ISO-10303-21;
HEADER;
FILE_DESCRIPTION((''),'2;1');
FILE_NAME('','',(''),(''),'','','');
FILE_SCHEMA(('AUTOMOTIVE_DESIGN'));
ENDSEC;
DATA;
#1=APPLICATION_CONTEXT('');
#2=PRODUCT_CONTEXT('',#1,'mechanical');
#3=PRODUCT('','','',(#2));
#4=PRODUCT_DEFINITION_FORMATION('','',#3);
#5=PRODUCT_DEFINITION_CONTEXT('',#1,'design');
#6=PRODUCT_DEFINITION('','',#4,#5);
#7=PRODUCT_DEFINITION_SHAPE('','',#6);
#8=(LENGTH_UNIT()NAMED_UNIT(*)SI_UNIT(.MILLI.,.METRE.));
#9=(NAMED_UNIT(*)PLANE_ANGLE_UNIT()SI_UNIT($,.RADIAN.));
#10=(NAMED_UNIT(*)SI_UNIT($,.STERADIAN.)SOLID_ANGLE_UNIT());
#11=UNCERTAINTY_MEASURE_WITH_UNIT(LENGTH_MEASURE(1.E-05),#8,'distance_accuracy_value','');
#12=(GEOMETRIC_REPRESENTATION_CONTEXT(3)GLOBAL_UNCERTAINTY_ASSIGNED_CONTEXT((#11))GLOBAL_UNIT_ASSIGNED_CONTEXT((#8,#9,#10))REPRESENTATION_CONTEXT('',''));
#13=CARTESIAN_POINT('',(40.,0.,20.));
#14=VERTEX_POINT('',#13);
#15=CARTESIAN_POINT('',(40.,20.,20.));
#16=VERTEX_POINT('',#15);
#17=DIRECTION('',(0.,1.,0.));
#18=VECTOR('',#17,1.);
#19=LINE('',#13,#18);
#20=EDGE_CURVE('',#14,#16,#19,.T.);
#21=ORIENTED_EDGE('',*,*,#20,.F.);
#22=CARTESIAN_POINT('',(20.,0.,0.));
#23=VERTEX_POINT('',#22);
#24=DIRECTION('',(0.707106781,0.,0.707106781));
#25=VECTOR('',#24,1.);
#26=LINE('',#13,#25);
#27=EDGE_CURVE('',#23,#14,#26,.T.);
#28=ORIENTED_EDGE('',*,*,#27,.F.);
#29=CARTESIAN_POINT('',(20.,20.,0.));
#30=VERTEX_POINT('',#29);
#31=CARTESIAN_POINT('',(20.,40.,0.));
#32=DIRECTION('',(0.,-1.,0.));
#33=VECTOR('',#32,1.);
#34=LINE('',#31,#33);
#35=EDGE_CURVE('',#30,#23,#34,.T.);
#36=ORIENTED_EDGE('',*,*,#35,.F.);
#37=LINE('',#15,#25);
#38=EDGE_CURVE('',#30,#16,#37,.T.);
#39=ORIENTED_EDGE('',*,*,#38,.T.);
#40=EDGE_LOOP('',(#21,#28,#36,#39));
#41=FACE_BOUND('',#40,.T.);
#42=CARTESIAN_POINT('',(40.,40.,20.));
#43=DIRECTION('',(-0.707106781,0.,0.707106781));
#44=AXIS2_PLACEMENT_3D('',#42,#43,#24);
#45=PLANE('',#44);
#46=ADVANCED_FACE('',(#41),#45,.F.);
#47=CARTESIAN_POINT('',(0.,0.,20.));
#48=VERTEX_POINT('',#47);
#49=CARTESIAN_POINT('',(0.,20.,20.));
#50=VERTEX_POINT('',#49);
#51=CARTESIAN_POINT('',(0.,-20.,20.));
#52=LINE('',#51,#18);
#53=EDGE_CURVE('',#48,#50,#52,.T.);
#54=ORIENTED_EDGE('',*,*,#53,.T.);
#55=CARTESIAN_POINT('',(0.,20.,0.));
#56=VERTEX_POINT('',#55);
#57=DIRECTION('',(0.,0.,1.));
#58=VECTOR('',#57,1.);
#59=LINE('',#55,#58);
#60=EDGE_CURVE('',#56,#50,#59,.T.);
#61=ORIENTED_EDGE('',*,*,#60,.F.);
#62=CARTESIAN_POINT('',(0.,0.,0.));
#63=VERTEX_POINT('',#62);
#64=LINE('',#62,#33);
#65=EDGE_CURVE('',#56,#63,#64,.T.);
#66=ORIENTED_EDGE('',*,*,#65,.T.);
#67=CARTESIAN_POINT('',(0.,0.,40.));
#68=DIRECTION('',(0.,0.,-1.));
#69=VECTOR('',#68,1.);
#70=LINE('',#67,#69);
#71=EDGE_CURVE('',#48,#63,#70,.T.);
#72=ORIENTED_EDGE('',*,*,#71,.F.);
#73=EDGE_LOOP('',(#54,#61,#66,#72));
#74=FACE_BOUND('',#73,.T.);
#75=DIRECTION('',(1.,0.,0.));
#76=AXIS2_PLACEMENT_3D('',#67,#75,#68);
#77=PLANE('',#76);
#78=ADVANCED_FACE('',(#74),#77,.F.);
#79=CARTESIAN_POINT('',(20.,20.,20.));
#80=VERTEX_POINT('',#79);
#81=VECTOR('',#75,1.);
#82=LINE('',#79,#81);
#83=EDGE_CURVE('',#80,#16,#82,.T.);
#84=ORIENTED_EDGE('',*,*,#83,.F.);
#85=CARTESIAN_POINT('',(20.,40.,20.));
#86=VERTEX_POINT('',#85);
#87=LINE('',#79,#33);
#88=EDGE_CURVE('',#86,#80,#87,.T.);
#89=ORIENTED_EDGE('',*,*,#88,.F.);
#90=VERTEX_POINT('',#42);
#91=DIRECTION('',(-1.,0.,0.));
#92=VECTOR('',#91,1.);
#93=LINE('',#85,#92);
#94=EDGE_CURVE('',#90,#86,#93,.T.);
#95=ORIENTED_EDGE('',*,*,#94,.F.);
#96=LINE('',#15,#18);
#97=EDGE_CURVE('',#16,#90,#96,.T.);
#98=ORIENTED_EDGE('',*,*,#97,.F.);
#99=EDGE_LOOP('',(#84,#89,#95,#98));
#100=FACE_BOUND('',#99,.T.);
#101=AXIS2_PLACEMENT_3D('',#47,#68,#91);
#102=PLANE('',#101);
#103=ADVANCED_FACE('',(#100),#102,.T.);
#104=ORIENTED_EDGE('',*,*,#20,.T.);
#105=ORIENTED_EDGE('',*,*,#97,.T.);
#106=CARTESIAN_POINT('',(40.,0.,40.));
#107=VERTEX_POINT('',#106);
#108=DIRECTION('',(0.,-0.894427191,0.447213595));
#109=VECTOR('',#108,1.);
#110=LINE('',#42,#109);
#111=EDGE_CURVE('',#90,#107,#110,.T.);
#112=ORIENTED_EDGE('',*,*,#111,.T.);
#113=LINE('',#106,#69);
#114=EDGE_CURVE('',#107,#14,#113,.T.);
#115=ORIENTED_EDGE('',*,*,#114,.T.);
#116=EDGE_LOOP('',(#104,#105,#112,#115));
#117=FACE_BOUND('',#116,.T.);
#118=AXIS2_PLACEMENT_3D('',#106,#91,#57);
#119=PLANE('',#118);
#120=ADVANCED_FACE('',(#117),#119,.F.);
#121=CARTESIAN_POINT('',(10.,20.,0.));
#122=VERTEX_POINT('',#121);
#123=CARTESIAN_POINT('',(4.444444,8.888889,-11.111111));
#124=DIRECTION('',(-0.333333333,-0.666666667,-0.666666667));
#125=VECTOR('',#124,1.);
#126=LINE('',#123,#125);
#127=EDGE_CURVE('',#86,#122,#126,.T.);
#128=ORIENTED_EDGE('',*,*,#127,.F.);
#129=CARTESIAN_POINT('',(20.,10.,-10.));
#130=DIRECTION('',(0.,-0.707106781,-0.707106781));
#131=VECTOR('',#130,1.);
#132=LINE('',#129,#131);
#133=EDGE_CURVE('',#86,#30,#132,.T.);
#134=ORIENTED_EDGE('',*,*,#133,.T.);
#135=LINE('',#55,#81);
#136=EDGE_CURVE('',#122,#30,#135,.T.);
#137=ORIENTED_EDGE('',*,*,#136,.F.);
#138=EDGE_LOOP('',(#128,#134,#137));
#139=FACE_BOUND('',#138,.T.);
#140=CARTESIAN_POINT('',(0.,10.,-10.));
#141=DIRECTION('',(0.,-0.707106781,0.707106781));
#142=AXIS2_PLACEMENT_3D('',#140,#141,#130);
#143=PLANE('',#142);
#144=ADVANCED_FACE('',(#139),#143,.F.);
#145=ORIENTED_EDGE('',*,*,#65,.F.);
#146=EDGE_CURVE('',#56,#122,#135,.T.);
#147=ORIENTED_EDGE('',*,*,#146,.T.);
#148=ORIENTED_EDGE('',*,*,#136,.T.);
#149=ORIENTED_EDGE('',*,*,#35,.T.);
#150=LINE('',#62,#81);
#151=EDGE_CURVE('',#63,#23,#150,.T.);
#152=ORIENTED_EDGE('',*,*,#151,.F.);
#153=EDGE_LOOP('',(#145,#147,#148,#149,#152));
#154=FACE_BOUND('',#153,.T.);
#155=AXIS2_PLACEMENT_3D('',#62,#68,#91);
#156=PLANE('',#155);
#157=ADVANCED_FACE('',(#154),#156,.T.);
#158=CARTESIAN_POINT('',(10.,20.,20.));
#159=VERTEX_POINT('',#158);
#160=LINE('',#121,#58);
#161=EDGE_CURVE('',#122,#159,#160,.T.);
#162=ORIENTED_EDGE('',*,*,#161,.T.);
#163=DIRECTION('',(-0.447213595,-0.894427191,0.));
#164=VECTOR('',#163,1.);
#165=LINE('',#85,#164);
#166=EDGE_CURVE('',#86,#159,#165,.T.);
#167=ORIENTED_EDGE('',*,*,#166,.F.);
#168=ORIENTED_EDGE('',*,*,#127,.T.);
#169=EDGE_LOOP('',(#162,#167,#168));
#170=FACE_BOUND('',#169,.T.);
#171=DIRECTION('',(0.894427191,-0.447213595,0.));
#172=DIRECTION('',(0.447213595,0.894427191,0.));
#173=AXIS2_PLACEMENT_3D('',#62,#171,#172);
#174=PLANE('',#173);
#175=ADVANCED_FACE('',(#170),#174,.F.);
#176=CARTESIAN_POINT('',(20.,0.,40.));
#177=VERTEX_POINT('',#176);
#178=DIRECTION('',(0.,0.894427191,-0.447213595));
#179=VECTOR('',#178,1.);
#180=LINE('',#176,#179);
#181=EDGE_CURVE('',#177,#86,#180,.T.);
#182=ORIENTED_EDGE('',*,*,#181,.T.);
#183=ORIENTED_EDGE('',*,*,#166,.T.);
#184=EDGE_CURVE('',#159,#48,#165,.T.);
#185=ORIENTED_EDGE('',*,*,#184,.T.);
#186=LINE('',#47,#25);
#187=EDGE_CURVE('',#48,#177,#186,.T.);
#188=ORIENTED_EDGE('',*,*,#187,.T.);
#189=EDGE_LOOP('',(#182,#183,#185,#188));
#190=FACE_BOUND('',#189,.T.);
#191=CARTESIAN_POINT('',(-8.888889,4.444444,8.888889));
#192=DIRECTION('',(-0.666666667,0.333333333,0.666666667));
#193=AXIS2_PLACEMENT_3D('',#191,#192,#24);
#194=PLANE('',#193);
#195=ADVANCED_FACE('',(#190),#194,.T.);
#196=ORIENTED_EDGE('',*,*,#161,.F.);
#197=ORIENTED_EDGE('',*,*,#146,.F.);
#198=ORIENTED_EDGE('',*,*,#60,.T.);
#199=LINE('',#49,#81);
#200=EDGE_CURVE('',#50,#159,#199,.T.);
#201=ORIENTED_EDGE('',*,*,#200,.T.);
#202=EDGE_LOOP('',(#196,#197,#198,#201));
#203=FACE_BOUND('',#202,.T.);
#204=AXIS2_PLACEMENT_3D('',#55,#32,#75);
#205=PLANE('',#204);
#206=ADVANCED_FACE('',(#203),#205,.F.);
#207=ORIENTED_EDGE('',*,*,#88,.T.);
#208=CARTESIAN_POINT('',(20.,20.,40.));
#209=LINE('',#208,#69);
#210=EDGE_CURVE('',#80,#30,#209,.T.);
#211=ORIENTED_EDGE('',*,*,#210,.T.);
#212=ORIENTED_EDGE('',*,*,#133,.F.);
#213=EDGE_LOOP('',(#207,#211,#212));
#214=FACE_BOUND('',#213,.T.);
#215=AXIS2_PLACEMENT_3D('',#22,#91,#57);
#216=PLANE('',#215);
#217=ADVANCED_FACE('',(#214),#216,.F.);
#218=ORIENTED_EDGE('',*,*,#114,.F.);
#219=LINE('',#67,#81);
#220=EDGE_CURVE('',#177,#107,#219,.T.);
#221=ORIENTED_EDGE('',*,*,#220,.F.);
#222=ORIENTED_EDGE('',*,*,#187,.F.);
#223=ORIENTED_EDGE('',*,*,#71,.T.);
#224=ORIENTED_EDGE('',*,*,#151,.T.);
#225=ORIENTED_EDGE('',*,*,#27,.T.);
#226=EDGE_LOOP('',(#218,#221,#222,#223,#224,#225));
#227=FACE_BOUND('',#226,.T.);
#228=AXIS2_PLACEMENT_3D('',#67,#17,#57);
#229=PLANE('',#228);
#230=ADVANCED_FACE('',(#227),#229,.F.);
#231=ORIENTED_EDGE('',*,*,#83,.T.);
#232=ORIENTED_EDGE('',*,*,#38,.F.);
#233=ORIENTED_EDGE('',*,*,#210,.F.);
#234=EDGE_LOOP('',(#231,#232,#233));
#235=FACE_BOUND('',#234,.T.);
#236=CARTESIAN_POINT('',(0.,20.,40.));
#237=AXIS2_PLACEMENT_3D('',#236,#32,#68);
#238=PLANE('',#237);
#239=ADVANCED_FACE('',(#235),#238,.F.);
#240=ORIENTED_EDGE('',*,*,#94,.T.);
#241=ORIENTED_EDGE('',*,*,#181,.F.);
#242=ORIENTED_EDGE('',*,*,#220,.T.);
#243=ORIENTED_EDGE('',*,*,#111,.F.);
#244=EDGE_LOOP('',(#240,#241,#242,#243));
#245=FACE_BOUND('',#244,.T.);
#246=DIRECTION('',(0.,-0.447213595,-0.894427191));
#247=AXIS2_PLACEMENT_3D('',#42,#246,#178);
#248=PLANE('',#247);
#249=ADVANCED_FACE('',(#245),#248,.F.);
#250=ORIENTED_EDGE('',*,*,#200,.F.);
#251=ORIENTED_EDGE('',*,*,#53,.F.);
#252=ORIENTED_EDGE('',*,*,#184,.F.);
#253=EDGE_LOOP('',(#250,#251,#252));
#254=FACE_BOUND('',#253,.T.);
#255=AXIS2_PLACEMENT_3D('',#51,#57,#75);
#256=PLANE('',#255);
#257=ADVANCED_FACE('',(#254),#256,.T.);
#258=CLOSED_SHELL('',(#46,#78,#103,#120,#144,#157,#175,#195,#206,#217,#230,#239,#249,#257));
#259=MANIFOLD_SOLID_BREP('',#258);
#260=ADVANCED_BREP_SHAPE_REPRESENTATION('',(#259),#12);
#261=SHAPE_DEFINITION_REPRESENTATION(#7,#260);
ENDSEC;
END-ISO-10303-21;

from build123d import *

# Parameters (mm, degrees)
SKETCH1_W           = 40
SKETCH1_H           = 20
BOSS_EXTRUDE1_DEPTH = 40
CUT_EXTRUDE1_DEPTH  = 40
CUT_EXTRUDE2_DEPTH  = 40
BOSS_EXTRUDE2_DEPTH = 20
BOSS_EXTRUDE3_DEPTH = 20
SKETCH6_W           = 40
SKETCH6_H           = 40
CUT_EXTRUDE3_DEPTH  = 20
SKETCH7_W           = 28.284271247
SKETCH7_H           = 20
CUT_EXTRUDE4_DEPTH  = 20
SKETCH8_W           = 20
SKETCH8_H           = 20
CUT_EXTRUDE5_DEPTH  = 20
CUT_EXTRUDE6_DEPTH  = 20
CUT_EXTRUDE7_DEPTH  = 20
SKETCH11_W          = 20
SKETCH11_H          = 20
CUT_EXTRUDE8_DEPTH  = 20
SKETCH12_W          = 20
SKETCH12_H          = 20
BOSS_EXTRUDE4_DEPTH = 20
CUT_EXTRUDE9_DEPTH  = 20
CUT_EXTRUDE10_DEPTH = 20


with BuildPart() as part:
    # Sketch1 → Boss-Extrude1 (new body)
    with BuildSketch(Plane.XY):
        with Locations((20, 10)):
            Rectangle(SKETCH1_W, SKETCH1_H)
    extrude(amount=BOSS_EXTRUDE1_DEPTH)

    # Sketch2 → Cut-Extrude1 (cut)
    with BuildSketch(Plane(origin=(0, 20, 0), x_dir=(1, 0, 0), z_dir=(0, 1, 0))):
        Polygon((0, -20), (20, -40), (0, -40), align=None)
    extrude(amount=-CUT_EXTRUDE1_DEPTH, mode=Mode.SUBTRACT)

    # Sketch3 → Cut-Extrude2 (cut)
    with BuildSketch(Plane(origin=(0, 20, 0), x_dir=(1, 0, 0), z_dir=(0, 1, 0))):
        Polygon((20, -40), (20, -20), (0, -20), align=None)
    extrude(amount=-CUT_EXTRUDE2_DEPTH, mode=Mode.SUBTRACT)

    # Sketch4 → Boss-Extrude2 (add)
    with BuildSketch(Plane(origin=(0, 20, 0), x_dir=(1, 0, 0), z_dir=(0, 1, 0))):
        Polygon((0, 0), (0, -20), (40, -20), (20, 0), align=None)
    extrude(amount=BOSS_EXTRUDE2_DEPTH)

    # Sketch5 → Boss-Extrude3 (add)
    with BuildSketch(Plane(origin=(-8.888888889, 4.444444444, 8.888888889), x_dir=(0.745355992, 0.298142397, 0.596284794), z_dir=(-0.666666667, 0.333333333, 0.666666667))):
        Polygon((11.92569588, -8.94427191), (38.75851161, -17.88854382), (38.75851161, 26.83281573), align=None)
    extrude(amount=-BOSS_EXTRUDE3_DEPTH)

    # Sketch6 → Cut-Extrude3 (cut)
    with BuildSketch(Plane.XZ):
        with Locations((20, 20)):
            Rectangle(SKETCH6_W, SKETCH6_H)
    extrude(amount=CUT_EXTRUDE3_DEPTH, mode=Mode.SUBTRACT)

    # Sketch7 → Cut-Extrude4 (cut)
    with BuildSketch(Plane(origin=(10, 0, -10), x_dir=(-0.707106781, 0, -0.707106781), z_dir=(0.707106781, 0, -0.707106781))):
        with Locations((-28.284271248, 30)):
            Rectangle(SKETCH7_W, SKETCH7_H)
    extrude(amount=CUT_EXTRUDE4_DEPTH, mode=Mode.SUBTRACT)

    # Sketch8 → Cut-Extrude5 (cut)
    with BuildSketch(Plane(origin=(20, 0, 0), x_dir=(0, 0, -1), z_dir=(1, 0, 0))):
        with Locations((-30, 30)):
            Rectangle(SKETCH8_W, SKETCH8_H)
    extrude(amount=CUT_EXTRUDE5_DEPTH, mode=Mode.SUBTRACT)

    # Sketch9 → Cut-Extrude6 (cut)
    with BuildSketch(Plane.XY.offset(20)):
        Polygon((0, 40), (0, 20), (10, 20), (20, 40), align=None)
    extrude(amount=-CUT_EXTRUDE6_DEPTH, mode=Mode.SUBTRACT)

    # Sketch10 → Cut-Extrude7 (cut)
    with BuildSketch(Plane(origin=(0, 20, 0), x_dir=(1, 0, 0), z_dir=(0, 1, 0))):
        Polygon((40, 0), (40, -20), (20, 0), align=None)
    extrude(amount=-CUT_EXTRUDE7_DEPTH, mode=Mode.SUBTRACT)

    # Sketch11 → Cut-Extrude8 (cut)
    with BuildSketch(Plane.XY.offset(20)):
        with Locations((30, 30)):
            Rectangle(SKETCH11_W, SKETCH11_H)
    extrude(amount=-CUT_EXTRUDE8_DEPTH, mode=Mode.SUBTRACT)

    # Sketch12 → Boss-Extrude4 (add)
    with BuildSketch(Plane.XY.offset(40)):
        with Locations((30, 30)):
            Rectangle(SKETCH12_W, SKETCH12_H)
    extrude(amount=-BOSS_EXTRUDE4_DEPTH)

    # Sketch14 → Cut-Extrude9 (cut)
    with BuildSketch(Plane(origin=(20, 0, 0), x_dir=(0, 0, -1), z_dir=(1, 0, 0))):
        Polygon((-20, 40), (-10, 30), (0, 40), align=None)
        Polygon((0, 40), (-10, 30), (0, 20), align=None)
    extrude(amount=-CUT_EXTRUDE9_DEPTH, mode=Mode.SUBTRACT)

    # Sketch15 → Cut-Extrude10 (cut)
    with BuildSketch(Plane.ZY.offset(-20)):
        Polygon((20, 40), (40, 0), (40, 40), align=None)
    extrude(amount=-CUT_EXTRUDE10_DEPTH, mode=Mode.SUBTRACT)


solid = part.part
